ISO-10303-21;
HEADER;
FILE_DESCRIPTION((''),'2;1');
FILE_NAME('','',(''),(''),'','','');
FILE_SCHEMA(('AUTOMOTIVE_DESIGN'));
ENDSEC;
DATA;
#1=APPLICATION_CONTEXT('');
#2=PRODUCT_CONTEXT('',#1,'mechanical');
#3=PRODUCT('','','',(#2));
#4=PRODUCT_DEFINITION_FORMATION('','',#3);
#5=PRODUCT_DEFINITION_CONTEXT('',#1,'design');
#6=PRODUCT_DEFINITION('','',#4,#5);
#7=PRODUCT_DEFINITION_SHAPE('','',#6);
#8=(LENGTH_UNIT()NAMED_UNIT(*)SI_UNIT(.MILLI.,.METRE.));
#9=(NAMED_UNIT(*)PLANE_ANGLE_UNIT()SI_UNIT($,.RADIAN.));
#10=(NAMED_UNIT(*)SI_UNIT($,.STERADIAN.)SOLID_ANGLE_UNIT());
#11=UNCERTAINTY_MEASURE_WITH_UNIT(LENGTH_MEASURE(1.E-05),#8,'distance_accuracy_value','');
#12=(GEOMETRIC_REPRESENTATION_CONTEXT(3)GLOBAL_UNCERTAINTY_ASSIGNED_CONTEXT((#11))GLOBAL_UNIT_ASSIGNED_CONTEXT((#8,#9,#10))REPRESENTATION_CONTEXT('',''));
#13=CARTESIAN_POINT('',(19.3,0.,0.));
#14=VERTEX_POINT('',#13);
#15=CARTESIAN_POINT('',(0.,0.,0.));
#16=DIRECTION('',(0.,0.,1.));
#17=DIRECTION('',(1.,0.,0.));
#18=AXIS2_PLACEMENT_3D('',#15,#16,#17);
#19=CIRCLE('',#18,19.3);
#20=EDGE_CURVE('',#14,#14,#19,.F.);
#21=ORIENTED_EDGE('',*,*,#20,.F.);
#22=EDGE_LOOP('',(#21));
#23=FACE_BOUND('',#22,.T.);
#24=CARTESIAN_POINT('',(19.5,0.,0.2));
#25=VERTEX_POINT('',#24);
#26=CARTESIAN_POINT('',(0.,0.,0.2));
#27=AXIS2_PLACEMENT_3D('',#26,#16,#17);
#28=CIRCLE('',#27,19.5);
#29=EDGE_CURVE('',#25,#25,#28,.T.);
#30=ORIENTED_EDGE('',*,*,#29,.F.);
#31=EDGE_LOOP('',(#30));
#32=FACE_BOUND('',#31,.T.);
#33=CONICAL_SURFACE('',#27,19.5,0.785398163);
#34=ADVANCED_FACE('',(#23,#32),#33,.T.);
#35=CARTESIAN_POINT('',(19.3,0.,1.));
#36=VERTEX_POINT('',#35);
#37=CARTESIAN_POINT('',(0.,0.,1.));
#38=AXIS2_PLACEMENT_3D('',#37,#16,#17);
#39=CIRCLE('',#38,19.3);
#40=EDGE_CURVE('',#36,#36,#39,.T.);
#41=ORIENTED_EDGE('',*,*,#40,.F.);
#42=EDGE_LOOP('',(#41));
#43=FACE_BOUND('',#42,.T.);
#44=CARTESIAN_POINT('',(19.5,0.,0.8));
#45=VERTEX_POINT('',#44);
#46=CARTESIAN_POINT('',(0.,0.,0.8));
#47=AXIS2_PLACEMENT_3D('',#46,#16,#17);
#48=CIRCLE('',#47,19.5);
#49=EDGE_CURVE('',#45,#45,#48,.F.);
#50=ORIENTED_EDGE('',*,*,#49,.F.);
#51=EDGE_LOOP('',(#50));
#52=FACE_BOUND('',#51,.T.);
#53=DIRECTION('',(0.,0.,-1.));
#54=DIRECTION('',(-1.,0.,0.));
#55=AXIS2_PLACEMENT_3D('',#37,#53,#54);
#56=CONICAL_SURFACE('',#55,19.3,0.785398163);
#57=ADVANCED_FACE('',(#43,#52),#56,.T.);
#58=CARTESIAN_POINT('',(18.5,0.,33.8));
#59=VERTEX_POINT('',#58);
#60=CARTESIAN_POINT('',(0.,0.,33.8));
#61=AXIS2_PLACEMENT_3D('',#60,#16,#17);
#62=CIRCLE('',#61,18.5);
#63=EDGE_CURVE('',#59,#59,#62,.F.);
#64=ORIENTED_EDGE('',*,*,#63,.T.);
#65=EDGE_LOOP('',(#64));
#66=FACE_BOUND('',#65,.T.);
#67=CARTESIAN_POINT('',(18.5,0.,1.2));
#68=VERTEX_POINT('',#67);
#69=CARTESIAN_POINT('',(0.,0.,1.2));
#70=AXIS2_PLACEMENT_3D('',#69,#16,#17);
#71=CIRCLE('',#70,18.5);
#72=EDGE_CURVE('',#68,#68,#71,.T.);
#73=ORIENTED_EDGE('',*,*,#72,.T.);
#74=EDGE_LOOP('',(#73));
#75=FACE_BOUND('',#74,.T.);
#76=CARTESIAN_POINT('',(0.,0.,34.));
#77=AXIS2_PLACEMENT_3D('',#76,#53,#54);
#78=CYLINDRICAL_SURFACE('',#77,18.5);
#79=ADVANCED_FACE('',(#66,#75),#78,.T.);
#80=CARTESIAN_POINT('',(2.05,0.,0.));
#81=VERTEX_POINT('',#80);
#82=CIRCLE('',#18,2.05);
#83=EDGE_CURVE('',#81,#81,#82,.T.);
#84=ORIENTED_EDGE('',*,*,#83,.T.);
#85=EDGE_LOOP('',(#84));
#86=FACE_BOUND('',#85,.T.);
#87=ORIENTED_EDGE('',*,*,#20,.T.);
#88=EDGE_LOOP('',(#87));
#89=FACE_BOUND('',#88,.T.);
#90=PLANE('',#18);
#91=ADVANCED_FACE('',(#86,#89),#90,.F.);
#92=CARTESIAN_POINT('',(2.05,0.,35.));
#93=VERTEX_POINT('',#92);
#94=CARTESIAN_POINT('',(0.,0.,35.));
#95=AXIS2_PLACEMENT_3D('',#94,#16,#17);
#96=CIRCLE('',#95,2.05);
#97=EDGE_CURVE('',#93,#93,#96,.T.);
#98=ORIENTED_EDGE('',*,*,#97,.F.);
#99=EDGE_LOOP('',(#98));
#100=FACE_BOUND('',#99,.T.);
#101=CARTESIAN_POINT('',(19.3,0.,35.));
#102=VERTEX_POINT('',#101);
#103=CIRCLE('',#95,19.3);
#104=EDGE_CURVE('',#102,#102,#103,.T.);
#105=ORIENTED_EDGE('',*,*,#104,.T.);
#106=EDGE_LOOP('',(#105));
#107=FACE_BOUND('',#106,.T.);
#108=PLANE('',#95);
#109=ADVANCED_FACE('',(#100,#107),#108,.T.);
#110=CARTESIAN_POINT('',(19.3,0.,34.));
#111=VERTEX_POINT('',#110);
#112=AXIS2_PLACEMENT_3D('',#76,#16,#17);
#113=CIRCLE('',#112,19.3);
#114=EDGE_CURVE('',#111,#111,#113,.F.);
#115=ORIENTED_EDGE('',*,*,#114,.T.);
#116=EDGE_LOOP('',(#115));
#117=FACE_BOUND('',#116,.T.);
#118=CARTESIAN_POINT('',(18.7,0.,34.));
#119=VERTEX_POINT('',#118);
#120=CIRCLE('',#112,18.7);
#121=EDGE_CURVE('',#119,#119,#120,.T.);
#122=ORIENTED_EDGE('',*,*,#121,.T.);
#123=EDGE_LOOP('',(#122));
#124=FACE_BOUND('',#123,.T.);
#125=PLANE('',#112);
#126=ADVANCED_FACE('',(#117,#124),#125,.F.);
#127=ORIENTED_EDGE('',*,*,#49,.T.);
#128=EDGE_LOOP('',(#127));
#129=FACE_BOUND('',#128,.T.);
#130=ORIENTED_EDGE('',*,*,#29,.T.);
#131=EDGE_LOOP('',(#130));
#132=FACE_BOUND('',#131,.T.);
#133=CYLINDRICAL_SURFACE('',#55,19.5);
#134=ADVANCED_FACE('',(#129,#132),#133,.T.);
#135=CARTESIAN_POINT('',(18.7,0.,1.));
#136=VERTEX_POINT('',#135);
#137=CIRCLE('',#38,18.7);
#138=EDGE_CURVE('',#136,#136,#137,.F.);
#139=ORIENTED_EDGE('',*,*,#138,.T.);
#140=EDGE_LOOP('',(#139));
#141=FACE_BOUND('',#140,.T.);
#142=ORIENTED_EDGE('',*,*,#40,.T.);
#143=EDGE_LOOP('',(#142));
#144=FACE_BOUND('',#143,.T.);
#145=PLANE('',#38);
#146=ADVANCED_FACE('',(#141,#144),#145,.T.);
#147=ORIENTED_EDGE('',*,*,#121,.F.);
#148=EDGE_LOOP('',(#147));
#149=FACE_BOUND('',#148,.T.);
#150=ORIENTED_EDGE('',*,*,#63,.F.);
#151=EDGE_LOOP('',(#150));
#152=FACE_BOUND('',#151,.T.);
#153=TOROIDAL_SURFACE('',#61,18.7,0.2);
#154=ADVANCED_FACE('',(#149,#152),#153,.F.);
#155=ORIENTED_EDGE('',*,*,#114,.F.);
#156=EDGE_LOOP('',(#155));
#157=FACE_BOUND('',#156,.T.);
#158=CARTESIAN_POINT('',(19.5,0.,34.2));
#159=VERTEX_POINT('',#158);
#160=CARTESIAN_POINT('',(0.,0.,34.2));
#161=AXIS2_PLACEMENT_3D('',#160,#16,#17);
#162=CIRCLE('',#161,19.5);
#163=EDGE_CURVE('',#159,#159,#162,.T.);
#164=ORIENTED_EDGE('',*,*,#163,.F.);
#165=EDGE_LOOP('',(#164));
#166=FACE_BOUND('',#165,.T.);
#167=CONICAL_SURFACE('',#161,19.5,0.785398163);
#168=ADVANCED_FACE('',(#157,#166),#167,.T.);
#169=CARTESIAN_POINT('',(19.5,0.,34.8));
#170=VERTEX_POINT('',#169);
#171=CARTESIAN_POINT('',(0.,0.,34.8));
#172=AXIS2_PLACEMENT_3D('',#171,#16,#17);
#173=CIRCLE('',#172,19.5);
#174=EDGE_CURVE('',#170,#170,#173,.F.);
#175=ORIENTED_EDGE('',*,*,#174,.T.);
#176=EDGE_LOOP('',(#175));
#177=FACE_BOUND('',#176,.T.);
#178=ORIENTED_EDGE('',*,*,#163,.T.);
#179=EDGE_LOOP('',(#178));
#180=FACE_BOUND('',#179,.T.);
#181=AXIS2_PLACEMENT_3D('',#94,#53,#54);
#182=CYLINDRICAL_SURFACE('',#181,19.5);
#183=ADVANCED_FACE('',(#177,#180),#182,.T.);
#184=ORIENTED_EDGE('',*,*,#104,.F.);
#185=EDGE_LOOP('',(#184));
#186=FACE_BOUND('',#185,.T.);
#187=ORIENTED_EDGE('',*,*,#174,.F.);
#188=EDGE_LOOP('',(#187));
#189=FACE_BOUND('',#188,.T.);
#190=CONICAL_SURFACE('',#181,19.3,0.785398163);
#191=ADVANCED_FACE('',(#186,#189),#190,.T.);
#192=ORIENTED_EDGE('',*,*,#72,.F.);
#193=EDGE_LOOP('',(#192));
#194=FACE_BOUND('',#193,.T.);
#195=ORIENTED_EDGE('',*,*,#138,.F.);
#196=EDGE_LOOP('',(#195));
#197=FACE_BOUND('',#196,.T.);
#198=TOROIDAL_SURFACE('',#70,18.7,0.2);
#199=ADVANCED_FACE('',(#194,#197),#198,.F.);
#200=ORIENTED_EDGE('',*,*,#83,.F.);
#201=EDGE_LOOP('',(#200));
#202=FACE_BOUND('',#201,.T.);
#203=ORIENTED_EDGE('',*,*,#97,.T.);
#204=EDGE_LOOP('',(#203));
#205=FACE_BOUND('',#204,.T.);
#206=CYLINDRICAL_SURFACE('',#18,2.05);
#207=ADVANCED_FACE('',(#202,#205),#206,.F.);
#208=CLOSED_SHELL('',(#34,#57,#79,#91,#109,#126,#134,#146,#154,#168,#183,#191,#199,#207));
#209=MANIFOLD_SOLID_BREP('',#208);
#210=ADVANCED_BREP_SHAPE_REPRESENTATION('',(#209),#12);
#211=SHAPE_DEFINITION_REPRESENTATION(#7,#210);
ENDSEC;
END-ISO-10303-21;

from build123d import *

# Parameters (mm, degrees)
SKETCH1_R           = 19.5
BOSS_EXTRUDE1_DEPTH = 1
SKETCH2_R           = 18.5
BOSS_EXTRUDE2_DEPTH = 33
SKETCH3_R           = 19.5
BOSS_EXTRUDE3_DEPTH = 1
FILLET1_R           = 0.2
CHAMFER1_SIZE       = 0.2
SKETCH4_R           = 2.05
CUT_EXTRUDE1_DEPTH  = 45.558949718


with BuildPart() as part:
    # Sketch1 → Boss-Extrude1 (new body)
    with BuildSketch(Plane.XY):
        Circle(SKETCH1_R)
    extrude(amount=BOSS_EXTRUDE1_DEPTH)

    # Sketch2 → Boss-Extrude2 (add)
    with BuildSketch(Plane.XY.offset(1)):
        Circle(SKETCH2_R)
    extrude(amount=BOSS_EXTRUDE2_DEPTH)

    # Sketch3 → Boss-Extrude3 (add)
    with BuildSketch(Plane.XY.offset(34)):
        Circle(SKETCH3_R)
    extrude(amount=BOSS_EXTRUDE3_DEPTH)

    # Fillet1
    fillet1_edges = [part.edges().sort_by_distance(p)[0] for p in [
        (-18.5, 0, 1),
        (-18.5, 0, 34),
    ]]
    fillet(fillet1_edges, radius=FILLET1_R)

    # Chamfer1
    chamfer1_edges = [part.edges().sort_by_distance(p)[0] for p in [
        (-19.5, 0, 35),
        (-19.5, 0, 0),
        (-19.5, 0, 1),
        (-19.5, 0, 34),
    ]]
    chamfer(chamfer1_edges, length=CHAMFER1_SIZE)

    # Sketch4 → Cut-Extrude1 (cut, through all)
    with BuildSketch(Plane.XY.offset(35)):
        Circle(SKETCH4_R)
    extrude(amount=-CUT_EXTRUDE1_DEPTH, mode=Mode.SUBTRACT)


solid = part.part
